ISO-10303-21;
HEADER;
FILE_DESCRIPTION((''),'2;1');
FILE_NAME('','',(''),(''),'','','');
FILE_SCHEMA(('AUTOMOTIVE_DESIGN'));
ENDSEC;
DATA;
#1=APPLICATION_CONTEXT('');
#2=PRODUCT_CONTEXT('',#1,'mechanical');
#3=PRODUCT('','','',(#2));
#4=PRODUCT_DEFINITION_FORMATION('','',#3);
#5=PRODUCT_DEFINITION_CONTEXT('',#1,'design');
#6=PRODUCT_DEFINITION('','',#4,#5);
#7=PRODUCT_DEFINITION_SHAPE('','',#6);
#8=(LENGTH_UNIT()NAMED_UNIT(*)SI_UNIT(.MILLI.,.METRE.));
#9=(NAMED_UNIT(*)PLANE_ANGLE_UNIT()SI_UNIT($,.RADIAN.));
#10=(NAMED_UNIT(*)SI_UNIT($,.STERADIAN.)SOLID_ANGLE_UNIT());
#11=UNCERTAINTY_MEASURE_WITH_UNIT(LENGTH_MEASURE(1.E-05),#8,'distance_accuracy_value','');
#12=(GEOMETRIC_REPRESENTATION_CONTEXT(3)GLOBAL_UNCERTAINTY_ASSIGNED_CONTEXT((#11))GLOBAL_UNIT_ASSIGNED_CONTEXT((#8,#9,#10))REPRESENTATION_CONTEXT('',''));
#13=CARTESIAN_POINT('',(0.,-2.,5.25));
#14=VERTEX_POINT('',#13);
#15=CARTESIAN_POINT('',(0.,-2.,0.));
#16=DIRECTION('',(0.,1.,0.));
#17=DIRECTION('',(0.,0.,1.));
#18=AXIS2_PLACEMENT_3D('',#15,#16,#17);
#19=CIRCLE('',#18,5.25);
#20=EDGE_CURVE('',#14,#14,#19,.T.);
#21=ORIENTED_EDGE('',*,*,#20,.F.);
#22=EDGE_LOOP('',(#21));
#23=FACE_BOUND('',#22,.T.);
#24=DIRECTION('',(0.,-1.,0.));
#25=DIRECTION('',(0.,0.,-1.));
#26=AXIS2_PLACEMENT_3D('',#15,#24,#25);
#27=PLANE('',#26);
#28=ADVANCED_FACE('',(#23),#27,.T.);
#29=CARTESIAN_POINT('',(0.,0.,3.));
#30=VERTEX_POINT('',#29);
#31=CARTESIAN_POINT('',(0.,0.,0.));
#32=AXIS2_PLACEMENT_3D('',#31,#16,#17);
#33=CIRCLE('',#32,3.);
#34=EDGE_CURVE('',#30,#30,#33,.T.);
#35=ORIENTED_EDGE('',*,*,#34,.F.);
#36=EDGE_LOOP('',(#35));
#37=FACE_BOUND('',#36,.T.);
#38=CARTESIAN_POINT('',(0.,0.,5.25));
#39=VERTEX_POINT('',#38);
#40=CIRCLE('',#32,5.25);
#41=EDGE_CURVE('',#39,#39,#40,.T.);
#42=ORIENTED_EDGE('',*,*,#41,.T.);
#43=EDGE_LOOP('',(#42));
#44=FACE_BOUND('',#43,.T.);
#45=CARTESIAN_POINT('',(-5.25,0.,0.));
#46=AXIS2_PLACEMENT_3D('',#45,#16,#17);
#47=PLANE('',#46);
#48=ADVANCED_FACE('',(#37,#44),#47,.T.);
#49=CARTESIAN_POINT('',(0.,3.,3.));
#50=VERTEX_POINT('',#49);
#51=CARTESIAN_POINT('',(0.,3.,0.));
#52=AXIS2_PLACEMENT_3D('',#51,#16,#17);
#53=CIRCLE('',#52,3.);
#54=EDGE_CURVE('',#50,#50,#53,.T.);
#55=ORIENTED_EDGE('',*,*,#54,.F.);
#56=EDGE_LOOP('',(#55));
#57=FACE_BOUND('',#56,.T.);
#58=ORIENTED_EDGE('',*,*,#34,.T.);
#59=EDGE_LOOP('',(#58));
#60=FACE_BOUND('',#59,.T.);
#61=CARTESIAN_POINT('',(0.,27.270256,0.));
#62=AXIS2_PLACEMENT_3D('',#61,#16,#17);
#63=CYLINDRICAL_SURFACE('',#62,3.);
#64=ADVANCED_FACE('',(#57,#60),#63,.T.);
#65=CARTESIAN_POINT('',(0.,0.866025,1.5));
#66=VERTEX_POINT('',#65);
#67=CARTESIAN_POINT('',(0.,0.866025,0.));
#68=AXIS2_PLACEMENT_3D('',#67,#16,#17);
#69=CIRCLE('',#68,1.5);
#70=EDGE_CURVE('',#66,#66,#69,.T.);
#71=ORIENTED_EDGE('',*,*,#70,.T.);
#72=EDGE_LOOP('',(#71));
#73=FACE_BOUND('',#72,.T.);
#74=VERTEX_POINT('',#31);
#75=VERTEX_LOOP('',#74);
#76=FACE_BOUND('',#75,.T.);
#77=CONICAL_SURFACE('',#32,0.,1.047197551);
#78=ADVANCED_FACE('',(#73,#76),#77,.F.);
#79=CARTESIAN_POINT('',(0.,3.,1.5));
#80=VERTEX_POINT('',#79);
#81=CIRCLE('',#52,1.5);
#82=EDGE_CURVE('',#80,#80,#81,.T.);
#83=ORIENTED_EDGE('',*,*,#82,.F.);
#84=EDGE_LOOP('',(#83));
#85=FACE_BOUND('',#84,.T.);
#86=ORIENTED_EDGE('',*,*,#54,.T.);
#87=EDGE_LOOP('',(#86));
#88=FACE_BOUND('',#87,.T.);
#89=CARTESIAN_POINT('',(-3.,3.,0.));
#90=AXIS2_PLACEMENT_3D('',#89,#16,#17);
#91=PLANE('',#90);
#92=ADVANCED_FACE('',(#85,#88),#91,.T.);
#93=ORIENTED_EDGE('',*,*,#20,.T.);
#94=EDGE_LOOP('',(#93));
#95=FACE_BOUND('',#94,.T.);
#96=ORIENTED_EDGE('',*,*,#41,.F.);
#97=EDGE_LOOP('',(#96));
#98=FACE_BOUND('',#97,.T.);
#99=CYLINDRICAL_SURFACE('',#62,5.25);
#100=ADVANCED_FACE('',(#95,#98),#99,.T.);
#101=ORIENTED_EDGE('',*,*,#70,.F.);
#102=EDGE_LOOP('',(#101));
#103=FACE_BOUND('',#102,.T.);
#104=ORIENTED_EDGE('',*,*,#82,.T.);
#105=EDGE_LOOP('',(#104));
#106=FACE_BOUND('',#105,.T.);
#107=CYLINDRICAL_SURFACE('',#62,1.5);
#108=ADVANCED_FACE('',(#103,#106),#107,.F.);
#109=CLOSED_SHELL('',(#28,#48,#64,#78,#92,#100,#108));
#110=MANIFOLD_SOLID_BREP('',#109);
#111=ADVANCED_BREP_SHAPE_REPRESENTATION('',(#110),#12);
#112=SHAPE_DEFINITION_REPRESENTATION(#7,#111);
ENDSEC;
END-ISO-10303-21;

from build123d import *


with BuildPart() as part:
    # Esquisse1 → Révolution1 (revolve)
    with BuildSketch(Plane.XY):
        Polygon((0, -2), (-5.25, -2), (-5.25, 0), (-3, 0), (-3, 3), (-1.5, 3), (-1.5, 0.866025404), (0, 0), align=None)
    revolve(axis=Axis((0, 27.270256112, 0), (0, -1, 0)))


solid = part.part
